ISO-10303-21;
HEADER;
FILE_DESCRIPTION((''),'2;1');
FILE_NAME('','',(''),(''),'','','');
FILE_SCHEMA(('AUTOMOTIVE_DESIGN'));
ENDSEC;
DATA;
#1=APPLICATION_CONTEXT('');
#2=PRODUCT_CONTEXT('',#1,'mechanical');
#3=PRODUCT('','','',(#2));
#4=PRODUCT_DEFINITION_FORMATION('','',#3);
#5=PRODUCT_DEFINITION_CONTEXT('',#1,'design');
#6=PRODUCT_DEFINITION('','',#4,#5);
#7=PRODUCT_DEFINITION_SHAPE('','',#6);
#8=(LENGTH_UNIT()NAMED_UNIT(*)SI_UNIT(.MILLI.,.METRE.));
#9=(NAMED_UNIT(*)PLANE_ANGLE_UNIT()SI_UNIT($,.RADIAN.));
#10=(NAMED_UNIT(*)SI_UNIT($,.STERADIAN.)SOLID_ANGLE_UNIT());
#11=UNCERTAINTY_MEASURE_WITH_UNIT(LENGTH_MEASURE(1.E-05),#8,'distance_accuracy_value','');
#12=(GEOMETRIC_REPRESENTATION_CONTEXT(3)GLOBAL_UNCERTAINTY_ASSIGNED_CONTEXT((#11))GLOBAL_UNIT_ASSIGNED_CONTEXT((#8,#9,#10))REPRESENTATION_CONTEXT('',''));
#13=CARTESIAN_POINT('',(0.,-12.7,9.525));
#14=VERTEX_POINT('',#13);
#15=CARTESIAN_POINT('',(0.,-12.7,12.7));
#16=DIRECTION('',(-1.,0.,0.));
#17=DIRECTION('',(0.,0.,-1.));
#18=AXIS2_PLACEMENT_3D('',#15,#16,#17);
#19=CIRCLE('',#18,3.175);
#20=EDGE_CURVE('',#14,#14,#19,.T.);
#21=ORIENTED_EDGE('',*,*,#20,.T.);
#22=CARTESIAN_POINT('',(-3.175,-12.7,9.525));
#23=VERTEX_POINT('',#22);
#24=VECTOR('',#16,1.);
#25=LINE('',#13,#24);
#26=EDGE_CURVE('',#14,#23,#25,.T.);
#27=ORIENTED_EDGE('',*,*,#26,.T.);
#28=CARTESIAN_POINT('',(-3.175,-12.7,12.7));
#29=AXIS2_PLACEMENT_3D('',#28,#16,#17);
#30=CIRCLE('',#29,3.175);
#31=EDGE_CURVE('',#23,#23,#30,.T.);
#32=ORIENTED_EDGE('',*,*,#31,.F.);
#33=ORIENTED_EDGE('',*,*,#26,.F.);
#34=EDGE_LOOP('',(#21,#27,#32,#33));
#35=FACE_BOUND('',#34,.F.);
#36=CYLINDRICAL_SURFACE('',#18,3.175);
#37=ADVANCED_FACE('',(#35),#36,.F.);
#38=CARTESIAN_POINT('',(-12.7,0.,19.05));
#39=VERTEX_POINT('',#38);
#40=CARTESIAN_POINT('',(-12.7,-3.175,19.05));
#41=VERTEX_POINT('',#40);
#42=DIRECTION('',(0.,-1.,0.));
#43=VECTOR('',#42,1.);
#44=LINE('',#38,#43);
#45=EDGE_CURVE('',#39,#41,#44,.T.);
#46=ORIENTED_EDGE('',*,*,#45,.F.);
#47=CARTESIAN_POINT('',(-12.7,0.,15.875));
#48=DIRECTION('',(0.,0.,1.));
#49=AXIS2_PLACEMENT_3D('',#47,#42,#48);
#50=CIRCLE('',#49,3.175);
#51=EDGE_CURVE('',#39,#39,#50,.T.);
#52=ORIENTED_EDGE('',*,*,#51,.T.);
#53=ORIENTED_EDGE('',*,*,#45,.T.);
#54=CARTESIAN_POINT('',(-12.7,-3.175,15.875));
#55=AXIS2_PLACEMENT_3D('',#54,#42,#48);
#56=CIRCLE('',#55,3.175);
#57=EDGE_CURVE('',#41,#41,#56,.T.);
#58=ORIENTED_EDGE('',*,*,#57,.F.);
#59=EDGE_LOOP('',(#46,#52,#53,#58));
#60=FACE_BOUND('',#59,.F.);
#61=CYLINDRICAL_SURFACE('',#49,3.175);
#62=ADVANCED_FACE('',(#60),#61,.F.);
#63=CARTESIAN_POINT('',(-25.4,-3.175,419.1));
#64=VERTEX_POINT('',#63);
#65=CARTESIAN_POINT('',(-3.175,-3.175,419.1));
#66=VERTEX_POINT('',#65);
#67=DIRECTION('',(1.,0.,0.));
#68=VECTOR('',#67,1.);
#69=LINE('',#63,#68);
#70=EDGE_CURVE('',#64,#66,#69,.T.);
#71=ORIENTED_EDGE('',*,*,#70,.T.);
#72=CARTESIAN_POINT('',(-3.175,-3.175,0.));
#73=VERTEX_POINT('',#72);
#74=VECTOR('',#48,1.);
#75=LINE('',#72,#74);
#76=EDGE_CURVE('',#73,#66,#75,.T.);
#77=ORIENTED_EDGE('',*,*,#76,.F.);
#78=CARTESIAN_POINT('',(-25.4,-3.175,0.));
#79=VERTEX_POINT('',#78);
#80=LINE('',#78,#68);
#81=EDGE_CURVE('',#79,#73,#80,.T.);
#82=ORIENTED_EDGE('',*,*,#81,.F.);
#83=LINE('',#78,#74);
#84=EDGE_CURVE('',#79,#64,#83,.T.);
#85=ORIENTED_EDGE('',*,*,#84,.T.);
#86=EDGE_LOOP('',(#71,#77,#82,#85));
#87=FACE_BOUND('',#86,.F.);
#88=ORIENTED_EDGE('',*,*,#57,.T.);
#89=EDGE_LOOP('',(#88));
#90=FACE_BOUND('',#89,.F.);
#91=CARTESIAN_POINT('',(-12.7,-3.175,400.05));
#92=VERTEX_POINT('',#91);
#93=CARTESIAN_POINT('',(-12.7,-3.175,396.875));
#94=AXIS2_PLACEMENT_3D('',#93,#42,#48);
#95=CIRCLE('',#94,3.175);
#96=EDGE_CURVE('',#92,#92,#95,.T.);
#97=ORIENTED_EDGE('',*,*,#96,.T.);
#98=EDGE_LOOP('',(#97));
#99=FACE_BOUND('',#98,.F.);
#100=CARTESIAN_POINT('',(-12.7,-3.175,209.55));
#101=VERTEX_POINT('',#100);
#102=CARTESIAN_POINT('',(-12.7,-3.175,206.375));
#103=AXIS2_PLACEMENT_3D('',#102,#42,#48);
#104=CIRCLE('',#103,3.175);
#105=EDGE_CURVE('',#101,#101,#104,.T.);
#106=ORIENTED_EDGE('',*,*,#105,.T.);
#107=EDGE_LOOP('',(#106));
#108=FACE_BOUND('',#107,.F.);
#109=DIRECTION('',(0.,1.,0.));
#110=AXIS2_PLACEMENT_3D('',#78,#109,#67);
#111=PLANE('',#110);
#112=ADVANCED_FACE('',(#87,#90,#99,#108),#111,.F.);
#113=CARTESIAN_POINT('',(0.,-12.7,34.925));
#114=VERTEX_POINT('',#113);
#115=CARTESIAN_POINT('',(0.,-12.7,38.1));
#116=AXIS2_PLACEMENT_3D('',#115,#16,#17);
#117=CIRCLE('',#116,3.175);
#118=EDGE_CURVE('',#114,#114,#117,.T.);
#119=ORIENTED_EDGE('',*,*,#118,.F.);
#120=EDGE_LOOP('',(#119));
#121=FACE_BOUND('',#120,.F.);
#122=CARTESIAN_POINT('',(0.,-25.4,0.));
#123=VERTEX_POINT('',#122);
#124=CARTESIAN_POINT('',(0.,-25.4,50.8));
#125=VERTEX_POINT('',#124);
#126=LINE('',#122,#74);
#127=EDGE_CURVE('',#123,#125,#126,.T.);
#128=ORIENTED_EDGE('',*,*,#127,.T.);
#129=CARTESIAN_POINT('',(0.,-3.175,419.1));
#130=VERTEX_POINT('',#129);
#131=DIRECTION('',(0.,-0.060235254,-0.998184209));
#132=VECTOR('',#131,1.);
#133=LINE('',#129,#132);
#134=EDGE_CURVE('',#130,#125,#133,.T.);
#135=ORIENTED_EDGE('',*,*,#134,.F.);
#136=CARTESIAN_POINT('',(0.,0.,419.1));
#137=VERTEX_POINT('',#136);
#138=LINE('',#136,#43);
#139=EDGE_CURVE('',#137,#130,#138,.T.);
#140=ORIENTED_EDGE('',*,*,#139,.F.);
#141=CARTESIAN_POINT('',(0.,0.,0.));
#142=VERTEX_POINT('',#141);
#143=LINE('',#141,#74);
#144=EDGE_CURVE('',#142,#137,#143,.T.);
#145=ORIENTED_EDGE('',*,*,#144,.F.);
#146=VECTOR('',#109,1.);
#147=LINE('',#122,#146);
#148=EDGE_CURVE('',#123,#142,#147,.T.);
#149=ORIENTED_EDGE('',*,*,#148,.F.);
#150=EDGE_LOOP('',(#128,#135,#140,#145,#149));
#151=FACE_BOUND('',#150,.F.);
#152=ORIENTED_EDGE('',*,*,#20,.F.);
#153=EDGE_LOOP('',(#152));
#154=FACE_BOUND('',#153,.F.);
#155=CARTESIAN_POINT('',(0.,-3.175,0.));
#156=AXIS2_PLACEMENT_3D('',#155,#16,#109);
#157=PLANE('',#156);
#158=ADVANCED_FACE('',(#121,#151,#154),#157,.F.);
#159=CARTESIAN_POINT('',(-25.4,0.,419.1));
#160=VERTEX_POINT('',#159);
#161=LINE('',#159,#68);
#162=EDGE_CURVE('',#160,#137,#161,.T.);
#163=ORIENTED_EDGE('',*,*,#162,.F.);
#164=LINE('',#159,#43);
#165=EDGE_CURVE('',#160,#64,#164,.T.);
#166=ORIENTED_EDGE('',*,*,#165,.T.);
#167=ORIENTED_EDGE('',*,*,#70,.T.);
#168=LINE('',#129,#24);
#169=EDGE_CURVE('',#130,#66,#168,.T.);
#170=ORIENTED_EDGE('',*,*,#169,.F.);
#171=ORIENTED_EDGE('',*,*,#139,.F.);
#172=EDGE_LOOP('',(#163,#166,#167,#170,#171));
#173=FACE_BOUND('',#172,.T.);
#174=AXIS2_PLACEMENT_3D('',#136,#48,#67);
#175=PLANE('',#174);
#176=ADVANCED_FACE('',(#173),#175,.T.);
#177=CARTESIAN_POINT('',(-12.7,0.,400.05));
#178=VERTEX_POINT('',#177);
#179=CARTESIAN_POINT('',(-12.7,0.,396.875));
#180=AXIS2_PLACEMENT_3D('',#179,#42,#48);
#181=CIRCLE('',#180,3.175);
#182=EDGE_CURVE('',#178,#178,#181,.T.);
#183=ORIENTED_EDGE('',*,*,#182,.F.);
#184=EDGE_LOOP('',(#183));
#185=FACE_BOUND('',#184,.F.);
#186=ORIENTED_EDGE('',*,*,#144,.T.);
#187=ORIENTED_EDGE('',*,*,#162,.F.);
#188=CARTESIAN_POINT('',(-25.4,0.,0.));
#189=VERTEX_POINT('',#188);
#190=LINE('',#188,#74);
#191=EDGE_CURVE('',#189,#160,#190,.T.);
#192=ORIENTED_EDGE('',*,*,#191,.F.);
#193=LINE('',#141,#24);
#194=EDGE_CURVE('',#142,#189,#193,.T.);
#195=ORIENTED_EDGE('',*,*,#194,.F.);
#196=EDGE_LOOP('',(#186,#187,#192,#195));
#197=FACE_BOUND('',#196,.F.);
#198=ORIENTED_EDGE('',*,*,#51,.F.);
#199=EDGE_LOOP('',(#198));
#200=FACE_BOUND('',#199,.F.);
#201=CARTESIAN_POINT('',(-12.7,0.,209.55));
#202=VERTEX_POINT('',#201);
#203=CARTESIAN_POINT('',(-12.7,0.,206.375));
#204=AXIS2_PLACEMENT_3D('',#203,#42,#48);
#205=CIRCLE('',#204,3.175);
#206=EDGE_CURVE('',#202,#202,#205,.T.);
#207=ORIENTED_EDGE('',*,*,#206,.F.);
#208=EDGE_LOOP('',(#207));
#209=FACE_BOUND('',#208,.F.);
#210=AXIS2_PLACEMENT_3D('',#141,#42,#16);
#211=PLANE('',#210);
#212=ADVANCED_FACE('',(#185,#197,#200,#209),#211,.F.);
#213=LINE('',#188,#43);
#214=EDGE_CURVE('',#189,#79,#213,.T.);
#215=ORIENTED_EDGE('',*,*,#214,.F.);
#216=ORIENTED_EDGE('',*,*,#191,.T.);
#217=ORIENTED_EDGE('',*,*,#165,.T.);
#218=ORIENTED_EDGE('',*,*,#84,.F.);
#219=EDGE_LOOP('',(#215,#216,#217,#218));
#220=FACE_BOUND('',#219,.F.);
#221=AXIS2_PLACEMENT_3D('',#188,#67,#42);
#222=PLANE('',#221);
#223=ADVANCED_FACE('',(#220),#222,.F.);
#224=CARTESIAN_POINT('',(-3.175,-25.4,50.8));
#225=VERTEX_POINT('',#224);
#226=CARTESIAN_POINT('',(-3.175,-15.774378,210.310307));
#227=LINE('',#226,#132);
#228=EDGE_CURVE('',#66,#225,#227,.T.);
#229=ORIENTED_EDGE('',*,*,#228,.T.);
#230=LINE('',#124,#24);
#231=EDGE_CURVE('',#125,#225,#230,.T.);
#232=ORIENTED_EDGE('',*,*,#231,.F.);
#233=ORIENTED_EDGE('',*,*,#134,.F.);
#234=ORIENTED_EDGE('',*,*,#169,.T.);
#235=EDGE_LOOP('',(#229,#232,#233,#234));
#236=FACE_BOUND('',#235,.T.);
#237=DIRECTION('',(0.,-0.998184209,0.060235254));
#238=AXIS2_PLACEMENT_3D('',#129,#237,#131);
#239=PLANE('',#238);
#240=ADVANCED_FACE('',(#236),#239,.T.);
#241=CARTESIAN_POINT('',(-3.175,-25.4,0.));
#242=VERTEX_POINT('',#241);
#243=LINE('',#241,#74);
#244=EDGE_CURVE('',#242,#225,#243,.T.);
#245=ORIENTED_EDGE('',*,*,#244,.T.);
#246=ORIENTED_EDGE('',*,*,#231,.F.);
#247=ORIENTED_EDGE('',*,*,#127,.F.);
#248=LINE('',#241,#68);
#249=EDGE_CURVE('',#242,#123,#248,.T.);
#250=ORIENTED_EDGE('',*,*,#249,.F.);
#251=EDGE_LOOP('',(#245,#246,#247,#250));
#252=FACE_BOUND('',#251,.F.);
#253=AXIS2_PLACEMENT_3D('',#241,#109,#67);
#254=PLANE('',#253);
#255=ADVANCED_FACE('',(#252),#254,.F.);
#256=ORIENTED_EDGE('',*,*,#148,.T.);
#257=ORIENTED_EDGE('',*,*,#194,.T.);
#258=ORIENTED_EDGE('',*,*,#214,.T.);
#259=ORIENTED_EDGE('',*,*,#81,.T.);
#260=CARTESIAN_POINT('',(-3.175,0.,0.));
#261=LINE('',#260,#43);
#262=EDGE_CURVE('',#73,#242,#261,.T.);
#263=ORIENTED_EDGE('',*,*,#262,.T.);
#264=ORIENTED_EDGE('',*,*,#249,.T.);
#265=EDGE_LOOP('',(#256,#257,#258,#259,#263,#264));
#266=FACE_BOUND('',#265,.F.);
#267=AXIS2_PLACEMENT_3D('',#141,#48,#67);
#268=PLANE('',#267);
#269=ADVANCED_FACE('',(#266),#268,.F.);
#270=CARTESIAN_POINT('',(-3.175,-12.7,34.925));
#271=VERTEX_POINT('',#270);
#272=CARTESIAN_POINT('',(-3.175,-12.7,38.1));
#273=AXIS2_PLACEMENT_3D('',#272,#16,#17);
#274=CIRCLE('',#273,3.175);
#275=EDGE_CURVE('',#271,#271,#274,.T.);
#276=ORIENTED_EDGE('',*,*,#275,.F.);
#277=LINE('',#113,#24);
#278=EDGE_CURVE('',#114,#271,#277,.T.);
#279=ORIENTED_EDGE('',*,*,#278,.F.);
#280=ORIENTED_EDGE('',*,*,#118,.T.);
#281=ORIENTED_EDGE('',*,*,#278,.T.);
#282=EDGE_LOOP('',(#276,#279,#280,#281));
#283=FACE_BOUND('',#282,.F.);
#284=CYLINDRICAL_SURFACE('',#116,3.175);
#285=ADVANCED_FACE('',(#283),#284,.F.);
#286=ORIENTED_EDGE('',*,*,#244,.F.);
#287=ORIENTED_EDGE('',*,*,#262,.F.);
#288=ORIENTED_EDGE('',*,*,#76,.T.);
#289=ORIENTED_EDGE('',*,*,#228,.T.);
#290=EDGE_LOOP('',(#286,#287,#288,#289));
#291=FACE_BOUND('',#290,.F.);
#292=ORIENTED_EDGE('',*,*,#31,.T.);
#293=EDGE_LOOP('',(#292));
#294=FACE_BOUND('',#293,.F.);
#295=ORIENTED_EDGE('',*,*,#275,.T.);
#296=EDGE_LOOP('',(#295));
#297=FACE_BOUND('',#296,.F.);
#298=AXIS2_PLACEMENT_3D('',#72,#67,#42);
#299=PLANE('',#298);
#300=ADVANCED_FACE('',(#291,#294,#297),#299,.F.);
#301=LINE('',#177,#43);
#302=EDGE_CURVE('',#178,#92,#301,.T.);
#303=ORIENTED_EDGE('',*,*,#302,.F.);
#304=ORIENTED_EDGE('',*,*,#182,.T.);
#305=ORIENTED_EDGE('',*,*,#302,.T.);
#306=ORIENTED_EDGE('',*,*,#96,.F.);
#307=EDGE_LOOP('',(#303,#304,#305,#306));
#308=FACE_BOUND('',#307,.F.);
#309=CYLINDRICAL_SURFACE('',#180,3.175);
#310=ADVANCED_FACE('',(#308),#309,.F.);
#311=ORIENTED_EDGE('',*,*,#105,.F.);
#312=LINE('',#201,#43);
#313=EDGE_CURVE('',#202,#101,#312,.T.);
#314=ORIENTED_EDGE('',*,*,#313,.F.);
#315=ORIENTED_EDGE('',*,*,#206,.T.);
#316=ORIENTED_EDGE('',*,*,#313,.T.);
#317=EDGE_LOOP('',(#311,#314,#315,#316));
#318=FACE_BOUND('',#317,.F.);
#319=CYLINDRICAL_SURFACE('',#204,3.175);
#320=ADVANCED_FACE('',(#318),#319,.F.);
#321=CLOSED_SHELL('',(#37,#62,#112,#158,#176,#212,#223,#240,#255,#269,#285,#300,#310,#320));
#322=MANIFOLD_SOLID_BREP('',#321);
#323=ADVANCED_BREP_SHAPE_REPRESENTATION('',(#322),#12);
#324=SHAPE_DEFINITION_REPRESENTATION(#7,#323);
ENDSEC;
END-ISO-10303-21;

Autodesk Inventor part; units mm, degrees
ref_plane "YZ Plane" through (0, 0, 0) normal (1, 0, 0) x (0, 1, 0)
ref_plane "XZ Plane" through (0, 0, 0) normal (0, 1, 0) x (-1, 0, 0)
ref_plane "XY Plane" through (0, 0, 0) normal (0, 0, 1) x (1, 0, 0)
sketch "Sketch1" plane through (0, 0, 0) normal (0, 0, 1) x (1, 0, 0)
  line L0 (0, 0) -> (-25.4, 0)
  line L1 (-25.4, 0) -> (-25.4, -3.175)
  line L2 (-25.4, -3.175) -> (0, -3.175)
  line L3 (0, -3.175) -> (0, 0)
  line L4 (0, 0) -> (-3.175, 0)
  line L5 (-3.175, 0) -> (-3.175, -25.4)
  line L6 (-3.175, -25.4) -> (0, -25.4)
  line L7 (0, -25.4) -> (0, 0)
  dimension "d0" = 25.4
  dimension "d1" = 3.175
  dimension "d2" = 3.175
  dimension "d3" = 25.4
extrude "Extrusion1" add sketch "Sketch1" along normal blind 419.1
sketch "Sketch2" plane through (0, -25.4, 0) normal (1, 0, 0) x (0, 0, -1)
  line L0 (0, 0) -> (0, 25.4) projected
  line L1 (0, 25.4) -> (-419.1, 25.4) projected
  line L2 (-419.1, 0) -> (-419.1, 25.4) projected
  line L3 (0, 0) -> (-419.1, 0) projected
  line L4 (0, 0) -> (-50.8, 0) construction
  line L5 (0, 0) -> (-419.1, 0) construction
  line L6 (-419.1, 25.4) -> (-419.1, 22.225) construction
  line L7 (-419.1, 22.225) -> (-50.8, 0)
  line L8 (-419.1, 22.225) -> (-419.1, 0)
  line L9 (-419.1, 0) -> (-50.8, 0)
  dimension "d6" = 50.8
  dimension "d7" = 3.175
extrude "Extrusion2" cut sketch "Sketch2" against normal blind 25.4 contours L3 L2 L7
sketch "Sketch3" plane through (0, -25.4, 0) normal (1, 0, 0) x (0, 0, -1)
  line L0 (-419.1, 22.225) -> (-50.8, 0) projected
  line L1 (0, 0) -> (-50.8, 0) projected
  line L2 (0, 0) -> (0, 25.4) projected
  line L3 (0, 25.4) -> (-419.1, 25.4) projected
  line L4 (-419.1, 22.225) -> (-419.1, 25.4) projected
  point P0 (-38.1, 12.7)
  point P1 (-12.7, 12.7)
  dimension "d10" = 12.7
  dimension "d11" = 12.7
  dimension "d12" = 38.1
  dimension "d13" = 12.7
hole "Hole1" at (0, -12.7, 38.1) at (0, -12.7, 12.7) direction (-1, 0, 0) diameter 6.35 end through all
sketch "Sketch4" plane through (-25.4, 0, 0) normal (0, 1, 0) x (1, 0, 0)
  line L0 (25.4, 0) -> (0, 0) projected
  line L1 (0, 0) -> (0, -419.1) projected
  line L2 (25.4, -419.1) -> (0, -419.1) projected
  line L3 (25.4, 0) -> (25.4, -419.1) projected
  point P0 (12.7, -15.875)
  point P1 (12.7, -206.375)
  point P2 (12.7, -396.875)
  dimension "d21" = 12.7
  dimension "d22" = 12.7
  dimension "d23" = 12.7
  dimension "d24" = 15.875
  dimension "d25" = 206.375
  dimension "d26" = 22.225
hole "Hole2" at (-12.7, 0, 15.875) at (-12.7, 0, 206.375) at (-12.7, 0, 396.875) direction (0, -1, 0) diameter 6.35 end through all
properties part number "1x1 lengthwise right"
